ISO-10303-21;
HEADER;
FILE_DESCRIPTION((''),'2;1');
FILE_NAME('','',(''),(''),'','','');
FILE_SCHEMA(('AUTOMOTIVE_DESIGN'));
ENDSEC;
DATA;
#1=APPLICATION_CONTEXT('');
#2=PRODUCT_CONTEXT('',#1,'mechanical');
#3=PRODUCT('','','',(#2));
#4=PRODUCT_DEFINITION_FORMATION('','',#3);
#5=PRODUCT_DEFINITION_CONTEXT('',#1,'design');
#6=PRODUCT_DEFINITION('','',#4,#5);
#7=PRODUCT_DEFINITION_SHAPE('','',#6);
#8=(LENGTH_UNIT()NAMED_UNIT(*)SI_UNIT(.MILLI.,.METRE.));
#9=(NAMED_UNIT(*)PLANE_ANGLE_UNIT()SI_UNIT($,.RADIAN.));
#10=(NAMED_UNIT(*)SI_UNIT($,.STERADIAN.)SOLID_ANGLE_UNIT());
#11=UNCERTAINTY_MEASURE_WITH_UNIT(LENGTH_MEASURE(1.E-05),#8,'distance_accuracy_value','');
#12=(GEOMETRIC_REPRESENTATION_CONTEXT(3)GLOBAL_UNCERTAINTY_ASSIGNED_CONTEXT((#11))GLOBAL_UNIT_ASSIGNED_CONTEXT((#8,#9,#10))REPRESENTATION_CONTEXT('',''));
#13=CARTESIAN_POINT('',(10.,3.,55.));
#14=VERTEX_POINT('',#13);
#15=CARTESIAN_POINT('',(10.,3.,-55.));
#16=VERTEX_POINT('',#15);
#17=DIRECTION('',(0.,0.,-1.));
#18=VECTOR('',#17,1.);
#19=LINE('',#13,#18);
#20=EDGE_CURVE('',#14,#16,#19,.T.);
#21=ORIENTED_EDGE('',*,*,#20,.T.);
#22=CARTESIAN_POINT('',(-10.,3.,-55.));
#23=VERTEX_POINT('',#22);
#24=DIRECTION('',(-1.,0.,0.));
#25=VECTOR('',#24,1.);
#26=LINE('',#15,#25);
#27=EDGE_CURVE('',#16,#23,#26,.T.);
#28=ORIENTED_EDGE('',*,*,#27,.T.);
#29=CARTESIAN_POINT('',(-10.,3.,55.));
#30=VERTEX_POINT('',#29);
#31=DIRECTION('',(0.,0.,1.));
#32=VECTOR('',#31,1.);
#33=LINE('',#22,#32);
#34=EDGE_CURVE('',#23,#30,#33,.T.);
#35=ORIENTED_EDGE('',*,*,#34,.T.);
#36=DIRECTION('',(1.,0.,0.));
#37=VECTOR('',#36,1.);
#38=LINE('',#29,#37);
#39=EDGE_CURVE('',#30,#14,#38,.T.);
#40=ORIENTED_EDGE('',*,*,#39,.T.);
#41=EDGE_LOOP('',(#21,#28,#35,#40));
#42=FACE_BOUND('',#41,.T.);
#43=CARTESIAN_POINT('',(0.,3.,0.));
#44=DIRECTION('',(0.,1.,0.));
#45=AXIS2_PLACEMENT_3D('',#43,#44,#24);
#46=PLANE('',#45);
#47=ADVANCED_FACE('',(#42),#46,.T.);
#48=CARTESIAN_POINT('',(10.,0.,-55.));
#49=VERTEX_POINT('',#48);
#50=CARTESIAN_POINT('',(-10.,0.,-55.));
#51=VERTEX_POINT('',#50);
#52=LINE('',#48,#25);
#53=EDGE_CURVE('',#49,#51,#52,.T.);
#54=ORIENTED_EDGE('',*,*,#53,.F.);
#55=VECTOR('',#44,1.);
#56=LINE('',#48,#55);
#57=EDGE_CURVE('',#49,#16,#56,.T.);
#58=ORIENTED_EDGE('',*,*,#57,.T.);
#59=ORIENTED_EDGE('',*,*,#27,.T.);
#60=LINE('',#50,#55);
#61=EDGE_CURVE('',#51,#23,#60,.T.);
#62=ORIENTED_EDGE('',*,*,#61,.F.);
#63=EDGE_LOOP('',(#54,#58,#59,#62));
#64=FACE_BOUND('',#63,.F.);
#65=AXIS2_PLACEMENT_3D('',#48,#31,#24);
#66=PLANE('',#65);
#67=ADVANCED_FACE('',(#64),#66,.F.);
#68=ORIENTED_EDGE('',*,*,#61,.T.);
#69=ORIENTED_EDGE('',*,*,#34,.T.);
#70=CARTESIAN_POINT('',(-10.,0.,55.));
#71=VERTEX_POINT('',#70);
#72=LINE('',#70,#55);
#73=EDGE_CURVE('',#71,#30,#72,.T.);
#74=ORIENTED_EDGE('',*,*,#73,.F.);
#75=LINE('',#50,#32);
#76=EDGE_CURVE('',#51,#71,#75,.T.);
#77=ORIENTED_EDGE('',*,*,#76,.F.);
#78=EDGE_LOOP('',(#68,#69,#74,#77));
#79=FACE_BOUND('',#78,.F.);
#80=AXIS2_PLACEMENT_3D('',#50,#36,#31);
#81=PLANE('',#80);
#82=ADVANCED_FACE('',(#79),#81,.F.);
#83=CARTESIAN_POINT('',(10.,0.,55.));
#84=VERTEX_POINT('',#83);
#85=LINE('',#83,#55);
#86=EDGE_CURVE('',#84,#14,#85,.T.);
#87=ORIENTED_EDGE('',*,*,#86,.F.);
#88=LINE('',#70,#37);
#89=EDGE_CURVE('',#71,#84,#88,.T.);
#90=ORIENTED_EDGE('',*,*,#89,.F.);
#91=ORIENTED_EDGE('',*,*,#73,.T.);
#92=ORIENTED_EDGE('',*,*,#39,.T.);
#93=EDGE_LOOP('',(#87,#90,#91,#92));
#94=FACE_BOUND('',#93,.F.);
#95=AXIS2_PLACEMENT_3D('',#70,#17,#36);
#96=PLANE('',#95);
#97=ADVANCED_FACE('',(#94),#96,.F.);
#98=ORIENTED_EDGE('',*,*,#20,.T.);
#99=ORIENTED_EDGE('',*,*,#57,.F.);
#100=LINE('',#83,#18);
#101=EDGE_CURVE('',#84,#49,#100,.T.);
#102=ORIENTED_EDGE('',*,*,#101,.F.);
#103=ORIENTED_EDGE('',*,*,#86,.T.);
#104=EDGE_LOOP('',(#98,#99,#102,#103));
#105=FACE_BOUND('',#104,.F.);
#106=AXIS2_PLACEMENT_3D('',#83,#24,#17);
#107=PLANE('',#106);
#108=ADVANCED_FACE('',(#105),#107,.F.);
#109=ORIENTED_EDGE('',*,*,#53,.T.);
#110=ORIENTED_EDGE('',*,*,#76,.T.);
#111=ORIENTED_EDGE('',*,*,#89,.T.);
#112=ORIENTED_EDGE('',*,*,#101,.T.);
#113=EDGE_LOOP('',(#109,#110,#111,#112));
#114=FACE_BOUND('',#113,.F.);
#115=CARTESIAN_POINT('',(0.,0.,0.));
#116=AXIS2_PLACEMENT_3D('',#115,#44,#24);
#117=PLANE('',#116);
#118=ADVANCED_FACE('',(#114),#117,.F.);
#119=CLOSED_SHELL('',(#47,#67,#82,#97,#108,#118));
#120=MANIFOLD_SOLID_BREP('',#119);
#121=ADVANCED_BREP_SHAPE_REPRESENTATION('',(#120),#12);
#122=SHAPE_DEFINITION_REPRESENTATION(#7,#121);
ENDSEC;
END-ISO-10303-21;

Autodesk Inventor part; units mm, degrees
ref_plane "YZ Plane" through (0, 0, 0) normal (1, 0, 0) x (0, 1, 0)
ref_plane "XZ Plane" through (0, 0, 0) normal (0, 1, 0) x (-1, 0, 0)
ref_plane "XY Plane" through (0, 0, 0) normal (0, 0, 1) x (1, 0, 0)
sketch "스케치1" plane through (0, 0, 0) normal (0, 1, 0) x (-1, 0, 0)
  line L0 (10, 55) -> (-10, 55)
  line L1 (-10, 55) -> (-10, -55)
  line L2 (-10, -55) -> (10, -55)
  line L3 (10, -55) -> (10, 55)
  point P0 (0, 0)
  dimension "d0" = 20
  dimension "d1" = 110
  dimension "d4" = 55
  dimension "d5" = 10
extrude "돌출1" add sketch "스케치1" along normal blind 3
properties part number "초음파센서거리측정용아크릴판" material "PMMA 플라스틱"
